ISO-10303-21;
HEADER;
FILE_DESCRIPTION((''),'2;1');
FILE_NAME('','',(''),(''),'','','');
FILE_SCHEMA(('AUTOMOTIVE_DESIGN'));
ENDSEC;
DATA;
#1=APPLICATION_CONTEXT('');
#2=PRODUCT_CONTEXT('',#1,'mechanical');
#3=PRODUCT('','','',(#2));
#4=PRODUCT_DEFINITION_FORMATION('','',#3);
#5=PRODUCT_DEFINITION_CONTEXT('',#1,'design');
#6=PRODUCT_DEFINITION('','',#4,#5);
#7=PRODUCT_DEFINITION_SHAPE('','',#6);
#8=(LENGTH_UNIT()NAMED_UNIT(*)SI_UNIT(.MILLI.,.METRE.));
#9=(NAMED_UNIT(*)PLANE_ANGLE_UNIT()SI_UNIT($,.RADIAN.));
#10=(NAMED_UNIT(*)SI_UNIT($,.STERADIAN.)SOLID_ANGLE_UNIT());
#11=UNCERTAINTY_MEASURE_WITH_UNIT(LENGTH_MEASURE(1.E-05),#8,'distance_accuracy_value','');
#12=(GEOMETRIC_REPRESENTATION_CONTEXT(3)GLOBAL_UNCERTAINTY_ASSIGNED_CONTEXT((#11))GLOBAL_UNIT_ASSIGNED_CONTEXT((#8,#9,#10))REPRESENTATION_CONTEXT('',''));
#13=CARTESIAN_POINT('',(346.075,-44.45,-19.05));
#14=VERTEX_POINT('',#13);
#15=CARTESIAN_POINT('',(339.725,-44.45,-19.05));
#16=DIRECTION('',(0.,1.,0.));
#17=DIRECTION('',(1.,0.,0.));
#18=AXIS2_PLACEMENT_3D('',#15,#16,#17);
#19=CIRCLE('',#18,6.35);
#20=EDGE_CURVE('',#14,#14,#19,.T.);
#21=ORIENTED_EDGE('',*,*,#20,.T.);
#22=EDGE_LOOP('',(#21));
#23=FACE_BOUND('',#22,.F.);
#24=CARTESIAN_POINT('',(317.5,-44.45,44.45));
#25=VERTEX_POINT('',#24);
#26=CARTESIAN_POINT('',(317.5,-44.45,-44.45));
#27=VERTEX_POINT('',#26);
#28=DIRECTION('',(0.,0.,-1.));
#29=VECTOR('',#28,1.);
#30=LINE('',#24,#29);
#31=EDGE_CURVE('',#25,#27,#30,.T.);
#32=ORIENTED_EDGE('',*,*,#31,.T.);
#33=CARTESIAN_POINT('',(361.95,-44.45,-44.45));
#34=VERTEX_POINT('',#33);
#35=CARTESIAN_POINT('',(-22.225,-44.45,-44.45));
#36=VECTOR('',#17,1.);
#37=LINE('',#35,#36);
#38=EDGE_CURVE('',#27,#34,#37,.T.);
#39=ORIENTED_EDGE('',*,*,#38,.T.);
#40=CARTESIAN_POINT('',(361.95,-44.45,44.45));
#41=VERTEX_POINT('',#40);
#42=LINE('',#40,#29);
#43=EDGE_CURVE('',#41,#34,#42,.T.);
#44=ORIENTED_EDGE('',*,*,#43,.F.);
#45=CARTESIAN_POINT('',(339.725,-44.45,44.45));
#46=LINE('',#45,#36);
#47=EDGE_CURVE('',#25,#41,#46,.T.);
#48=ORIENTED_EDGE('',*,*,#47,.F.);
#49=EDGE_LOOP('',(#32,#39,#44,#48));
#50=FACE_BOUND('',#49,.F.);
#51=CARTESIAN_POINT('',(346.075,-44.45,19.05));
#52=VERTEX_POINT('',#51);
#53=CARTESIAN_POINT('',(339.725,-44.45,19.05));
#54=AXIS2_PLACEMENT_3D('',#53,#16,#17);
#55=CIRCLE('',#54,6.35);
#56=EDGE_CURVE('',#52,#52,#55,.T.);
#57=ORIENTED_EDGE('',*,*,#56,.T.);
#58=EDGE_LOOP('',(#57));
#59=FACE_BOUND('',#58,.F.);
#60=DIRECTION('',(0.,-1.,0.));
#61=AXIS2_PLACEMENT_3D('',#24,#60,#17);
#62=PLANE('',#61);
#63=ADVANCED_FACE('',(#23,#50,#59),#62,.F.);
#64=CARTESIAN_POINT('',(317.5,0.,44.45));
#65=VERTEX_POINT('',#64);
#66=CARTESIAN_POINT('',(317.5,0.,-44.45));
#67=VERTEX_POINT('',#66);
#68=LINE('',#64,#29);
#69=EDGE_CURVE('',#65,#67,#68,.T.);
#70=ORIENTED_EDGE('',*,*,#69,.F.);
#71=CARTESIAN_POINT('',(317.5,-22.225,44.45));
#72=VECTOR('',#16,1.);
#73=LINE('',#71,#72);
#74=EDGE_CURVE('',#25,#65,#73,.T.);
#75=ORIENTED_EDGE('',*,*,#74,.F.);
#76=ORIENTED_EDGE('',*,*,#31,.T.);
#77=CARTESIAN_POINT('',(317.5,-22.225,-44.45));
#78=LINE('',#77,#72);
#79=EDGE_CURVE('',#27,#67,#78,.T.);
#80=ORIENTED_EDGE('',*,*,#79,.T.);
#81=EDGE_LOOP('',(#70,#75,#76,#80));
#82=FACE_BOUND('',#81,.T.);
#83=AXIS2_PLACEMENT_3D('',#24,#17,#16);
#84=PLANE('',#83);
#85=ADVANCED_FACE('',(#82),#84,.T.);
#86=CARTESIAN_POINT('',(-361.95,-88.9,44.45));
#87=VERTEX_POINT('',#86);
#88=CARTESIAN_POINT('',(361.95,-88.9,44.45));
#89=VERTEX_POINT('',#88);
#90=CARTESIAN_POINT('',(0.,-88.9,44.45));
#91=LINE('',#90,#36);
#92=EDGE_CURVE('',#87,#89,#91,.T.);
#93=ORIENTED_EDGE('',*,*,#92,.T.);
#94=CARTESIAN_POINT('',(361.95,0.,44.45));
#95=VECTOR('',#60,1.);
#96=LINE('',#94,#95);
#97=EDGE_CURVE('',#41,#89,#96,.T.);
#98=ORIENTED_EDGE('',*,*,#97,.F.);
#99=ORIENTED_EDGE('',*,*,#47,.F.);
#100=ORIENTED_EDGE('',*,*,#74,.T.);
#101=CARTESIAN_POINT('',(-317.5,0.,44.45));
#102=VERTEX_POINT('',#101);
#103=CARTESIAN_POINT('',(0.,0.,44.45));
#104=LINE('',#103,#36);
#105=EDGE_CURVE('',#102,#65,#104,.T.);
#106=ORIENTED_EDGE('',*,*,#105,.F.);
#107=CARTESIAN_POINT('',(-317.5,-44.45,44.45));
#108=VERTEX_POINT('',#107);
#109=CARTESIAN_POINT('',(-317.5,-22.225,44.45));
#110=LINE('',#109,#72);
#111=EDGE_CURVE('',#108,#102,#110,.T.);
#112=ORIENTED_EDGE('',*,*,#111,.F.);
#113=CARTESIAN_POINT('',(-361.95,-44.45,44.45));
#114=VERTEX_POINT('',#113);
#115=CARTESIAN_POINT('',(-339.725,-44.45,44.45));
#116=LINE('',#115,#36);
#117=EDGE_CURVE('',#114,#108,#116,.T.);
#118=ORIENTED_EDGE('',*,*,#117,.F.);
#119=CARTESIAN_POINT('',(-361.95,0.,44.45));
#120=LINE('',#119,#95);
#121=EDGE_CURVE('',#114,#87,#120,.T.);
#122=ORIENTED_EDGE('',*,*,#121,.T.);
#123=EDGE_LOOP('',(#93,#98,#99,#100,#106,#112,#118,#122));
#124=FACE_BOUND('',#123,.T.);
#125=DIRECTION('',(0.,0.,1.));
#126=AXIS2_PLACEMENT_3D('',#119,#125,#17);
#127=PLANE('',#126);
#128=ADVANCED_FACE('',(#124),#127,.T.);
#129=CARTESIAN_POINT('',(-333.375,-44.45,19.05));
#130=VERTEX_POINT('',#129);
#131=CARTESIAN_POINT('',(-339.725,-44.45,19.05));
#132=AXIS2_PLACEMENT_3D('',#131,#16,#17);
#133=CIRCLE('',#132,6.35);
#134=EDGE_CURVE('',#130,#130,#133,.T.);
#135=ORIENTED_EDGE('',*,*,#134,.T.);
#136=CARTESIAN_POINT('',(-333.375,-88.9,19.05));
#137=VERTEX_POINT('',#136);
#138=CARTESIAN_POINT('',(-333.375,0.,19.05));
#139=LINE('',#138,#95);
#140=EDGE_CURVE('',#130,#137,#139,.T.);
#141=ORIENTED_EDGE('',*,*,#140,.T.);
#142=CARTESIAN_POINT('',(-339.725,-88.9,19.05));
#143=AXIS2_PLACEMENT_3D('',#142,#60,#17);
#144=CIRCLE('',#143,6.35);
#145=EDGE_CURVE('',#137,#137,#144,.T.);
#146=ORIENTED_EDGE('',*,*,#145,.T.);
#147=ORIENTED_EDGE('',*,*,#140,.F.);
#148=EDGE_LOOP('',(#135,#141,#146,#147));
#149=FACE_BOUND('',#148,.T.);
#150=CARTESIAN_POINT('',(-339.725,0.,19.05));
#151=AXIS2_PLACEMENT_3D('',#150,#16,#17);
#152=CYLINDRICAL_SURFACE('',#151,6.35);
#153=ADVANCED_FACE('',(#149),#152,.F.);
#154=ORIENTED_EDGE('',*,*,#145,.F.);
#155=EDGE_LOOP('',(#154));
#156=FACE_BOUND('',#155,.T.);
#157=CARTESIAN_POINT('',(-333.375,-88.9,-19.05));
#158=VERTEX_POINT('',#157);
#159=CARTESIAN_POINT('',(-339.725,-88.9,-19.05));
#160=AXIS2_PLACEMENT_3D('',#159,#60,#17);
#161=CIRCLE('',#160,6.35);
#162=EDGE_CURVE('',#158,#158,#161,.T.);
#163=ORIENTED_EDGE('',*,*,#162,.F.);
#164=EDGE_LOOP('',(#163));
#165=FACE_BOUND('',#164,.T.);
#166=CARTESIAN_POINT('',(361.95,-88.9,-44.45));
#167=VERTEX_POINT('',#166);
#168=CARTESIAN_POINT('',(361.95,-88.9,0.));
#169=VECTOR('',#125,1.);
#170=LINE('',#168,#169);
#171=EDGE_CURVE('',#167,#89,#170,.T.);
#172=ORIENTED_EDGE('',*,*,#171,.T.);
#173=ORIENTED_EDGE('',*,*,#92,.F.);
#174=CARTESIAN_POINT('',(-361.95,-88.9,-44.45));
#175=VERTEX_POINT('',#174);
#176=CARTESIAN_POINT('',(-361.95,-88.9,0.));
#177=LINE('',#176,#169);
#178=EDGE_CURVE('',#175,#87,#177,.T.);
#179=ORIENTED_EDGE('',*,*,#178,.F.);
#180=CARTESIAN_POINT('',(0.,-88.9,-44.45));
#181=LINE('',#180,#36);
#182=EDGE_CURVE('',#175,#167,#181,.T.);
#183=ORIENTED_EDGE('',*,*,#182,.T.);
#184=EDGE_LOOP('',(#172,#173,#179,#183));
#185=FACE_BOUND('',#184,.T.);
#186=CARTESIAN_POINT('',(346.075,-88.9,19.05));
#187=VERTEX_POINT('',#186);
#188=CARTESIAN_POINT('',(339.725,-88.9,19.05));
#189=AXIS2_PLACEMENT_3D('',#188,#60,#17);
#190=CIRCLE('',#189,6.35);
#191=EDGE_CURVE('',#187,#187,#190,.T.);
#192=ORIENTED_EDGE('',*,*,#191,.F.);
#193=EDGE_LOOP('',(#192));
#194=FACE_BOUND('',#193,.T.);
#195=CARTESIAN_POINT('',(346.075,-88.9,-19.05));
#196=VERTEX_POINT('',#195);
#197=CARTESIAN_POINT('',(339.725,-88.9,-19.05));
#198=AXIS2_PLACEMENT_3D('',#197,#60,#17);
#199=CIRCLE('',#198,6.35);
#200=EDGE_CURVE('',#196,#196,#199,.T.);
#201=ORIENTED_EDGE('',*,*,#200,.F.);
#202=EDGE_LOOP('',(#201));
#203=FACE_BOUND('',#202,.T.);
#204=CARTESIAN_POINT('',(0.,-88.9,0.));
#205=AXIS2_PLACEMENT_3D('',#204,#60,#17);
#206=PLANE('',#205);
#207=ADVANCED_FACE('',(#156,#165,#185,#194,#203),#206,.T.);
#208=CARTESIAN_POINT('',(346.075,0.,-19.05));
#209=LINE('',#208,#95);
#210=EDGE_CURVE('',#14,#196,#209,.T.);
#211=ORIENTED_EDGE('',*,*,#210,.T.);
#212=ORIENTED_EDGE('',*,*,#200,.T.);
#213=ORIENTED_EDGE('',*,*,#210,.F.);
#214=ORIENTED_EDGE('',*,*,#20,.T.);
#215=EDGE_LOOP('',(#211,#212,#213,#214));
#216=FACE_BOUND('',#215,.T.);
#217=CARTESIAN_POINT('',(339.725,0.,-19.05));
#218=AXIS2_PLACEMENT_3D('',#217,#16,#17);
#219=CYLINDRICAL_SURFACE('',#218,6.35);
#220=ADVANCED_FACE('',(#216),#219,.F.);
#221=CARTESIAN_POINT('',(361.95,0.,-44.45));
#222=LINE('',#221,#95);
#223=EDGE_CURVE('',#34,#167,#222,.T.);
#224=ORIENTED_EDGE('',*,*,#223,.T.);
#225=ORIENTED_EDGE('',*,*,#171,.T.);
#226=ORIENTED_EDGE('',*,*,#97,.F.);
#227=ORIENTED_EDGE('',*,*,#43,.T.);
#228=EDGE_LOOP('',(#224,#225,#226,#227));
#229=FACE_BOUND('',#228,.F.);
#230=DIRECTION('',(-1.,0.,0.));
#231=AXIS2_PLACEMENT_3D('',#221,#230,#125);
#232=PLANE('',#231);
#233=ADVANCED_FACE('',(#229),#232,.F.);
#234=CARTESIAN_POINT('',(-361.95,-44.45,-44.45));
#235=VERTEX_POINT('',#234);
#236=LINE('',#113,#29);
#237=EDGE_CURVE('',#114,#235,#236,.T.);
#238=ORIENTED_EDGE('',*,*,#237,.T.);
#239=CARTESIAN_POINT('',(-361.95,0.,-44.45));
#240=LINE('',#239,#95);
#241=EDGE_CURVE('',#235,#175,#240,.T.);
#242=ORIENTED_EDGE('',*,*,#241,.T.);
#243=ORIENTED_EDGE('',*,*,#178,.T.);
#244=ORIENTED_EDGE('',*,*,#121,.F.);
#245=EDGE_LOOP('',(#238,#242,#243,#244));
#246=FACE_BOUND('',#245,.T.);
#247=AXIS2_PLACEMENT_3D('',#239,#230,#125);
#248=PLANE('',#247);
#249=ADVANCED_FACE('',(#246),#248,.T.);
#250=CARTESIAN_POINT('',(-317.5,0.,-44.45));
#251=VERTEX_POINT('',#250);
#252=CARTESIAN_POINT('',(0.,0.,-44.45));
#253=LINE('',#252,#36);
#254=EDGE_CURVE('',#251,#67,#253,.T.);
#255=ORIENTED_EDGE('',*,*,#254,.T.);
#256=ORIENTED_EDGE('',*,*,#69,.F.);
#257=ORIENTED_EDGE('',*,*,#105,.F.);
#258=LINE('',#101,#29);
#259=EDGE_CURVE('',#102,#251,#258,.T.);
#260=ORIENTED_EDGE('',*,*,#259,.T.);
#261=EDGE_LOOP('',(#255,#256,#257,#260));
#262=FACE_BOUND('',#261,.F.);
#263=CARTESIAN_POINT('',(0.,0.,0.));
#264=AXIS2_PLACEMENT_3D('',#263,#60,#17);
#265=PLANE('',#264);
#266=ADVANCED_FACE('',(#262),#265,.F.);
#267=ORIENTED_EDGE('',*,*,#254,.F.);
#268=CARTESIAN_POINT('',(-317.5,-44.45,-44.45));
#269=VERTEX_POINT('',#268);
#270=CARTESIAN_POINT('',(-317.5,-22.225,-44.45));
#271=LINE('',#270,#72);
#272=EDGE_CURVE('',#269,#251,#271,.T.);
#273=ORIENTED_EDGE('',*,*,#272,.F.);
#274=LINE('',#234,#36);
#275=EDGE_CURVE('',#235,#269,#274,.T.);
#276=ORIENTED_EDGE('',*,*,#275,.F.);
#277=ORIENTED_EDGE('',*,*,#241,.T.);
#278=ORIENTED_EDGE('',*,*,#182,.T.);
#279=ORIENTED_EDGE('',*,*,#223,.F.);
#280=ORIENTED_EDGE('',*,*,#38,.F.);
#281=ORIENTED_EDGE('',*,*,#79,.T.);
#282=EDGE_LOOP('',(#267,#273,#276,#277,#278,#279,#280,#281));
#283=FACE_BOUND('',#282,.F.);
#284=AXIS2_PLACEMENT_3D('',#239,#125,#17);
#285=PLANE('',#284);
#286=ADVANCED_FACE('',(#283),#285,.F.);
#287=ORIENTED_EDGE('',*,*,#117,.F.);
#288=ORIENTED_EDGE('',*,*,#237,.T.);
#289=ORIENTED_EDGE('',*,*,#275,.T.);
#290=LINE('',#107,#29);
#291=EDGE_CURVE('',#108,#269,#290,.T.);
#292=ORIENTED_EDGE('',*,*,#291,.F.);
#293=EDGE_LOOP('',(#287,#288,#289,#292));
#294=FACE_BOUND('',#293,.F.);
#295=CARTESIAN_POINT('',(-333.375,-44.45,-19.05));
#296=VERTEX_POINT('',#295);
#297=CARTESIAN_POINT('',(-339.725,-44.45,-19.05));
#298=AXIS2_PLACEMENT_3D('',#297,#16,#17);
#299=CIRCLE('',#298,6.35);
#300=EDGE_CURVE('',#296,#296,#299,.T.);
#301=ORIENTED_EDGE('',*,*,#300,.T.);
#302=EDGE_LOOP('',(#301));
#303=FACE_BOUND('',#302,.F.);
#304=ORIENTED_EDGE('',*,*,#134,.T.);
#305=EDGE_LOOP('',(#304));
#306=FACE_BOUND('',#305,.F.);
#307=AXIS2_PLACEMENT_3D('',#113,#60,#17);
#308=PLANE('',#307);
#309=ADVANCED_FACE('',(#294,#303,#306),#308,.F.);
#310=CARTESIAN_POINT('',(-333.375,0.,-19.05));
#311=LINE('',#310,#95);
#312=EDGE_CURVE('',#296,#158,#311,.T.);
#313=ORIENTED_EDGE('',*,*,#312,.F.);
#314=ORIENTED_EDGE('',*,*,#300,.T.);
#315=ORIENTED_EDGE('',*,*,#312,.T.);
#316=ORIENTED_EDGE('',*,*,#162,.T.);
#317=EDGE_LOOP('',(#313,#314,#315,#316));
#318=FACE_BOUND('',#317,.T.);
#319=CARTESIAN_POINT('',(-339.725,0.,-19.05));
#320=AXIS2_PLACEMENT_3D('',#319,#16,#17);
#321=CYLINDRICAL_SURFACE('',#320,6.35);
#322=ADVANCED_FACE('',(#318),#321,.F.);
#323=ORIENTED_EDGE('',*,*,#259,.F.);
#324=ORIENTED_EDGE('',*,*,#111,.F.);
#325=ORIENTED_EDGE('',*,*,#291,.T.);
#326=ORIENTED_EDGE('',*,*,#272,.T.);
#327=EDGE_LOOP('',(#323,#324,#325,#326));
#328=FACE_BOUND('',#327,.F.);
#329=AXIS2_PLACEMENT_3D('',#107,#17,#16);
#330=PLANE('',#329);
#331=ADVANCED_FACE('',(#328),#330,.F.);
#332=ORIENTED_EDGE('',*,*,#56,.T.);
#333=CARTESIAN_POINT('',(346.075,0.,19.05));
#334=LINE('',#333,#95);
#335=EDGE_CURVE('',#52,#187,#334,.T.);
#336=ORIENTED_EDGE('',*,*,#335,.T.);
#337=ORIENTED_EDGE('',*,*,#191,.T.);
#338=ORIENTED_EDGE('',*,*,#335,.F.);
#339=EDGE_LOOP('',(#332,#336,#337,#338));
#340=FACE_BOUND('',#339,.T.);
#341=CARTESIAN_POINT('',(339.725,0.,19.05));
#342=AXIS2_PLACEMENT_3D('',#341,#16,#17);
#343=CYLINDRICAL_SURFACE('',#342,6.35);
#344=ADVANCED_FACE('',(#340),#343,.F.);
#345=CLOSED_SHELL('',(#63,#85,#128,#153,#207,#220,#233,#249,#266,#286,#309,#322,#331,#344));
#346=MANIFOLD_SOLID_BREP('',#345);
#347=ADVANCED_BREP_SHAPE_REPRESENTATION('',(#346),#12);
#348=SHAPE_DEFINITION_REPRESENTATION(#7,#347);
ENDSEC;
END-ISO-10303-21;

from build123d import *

# Parameters (mm, degrees)
F0_W     = 723.9
F0_H     = 88.9
F0_R     = 6.35
F1_DEPTH = 88.9
F2_W     = 44.45
F2_H     = 44.45
F3_DEPTH = 101.6


with BuildPart() as f1:
    # F0 (on Front) → F1 (new body)
    with BuildSketch(Plane.XZ):
        Rectangle(F0_W, F0_H)
        with Locations((-339.725, -19.05)):
            Circle(F0_R, mode=Mode.SUBTRACT)
        with Locations((339.725, -19.05)):
            Circle(F0_R, mode=Mode.SUBTRACT)
        with Locations((-339.725, 19.05)):
            Circle(F0_R, mode=Mode.SUBTRACT)
        with Locations((339.725, 19.05)):
            Circle(F0_R, mode=Mode.SUBTRACT)
    extrude(amount=F1_DEPTH)

    # F2 (on face) → F3 (cut)
    with BuildSketch(Plane.XY.offset(44.45)):
        with Locations((-339.725, -22.225)):
            Rectangle(F2_W, F2_H)
        with Locations((339.725, -22.225)):
            Rectangle(F2_W, F2_H)
    extrude(amount=-F3_DEPTH, mode=Mode.SUBTRACT)


solid = f1.part
